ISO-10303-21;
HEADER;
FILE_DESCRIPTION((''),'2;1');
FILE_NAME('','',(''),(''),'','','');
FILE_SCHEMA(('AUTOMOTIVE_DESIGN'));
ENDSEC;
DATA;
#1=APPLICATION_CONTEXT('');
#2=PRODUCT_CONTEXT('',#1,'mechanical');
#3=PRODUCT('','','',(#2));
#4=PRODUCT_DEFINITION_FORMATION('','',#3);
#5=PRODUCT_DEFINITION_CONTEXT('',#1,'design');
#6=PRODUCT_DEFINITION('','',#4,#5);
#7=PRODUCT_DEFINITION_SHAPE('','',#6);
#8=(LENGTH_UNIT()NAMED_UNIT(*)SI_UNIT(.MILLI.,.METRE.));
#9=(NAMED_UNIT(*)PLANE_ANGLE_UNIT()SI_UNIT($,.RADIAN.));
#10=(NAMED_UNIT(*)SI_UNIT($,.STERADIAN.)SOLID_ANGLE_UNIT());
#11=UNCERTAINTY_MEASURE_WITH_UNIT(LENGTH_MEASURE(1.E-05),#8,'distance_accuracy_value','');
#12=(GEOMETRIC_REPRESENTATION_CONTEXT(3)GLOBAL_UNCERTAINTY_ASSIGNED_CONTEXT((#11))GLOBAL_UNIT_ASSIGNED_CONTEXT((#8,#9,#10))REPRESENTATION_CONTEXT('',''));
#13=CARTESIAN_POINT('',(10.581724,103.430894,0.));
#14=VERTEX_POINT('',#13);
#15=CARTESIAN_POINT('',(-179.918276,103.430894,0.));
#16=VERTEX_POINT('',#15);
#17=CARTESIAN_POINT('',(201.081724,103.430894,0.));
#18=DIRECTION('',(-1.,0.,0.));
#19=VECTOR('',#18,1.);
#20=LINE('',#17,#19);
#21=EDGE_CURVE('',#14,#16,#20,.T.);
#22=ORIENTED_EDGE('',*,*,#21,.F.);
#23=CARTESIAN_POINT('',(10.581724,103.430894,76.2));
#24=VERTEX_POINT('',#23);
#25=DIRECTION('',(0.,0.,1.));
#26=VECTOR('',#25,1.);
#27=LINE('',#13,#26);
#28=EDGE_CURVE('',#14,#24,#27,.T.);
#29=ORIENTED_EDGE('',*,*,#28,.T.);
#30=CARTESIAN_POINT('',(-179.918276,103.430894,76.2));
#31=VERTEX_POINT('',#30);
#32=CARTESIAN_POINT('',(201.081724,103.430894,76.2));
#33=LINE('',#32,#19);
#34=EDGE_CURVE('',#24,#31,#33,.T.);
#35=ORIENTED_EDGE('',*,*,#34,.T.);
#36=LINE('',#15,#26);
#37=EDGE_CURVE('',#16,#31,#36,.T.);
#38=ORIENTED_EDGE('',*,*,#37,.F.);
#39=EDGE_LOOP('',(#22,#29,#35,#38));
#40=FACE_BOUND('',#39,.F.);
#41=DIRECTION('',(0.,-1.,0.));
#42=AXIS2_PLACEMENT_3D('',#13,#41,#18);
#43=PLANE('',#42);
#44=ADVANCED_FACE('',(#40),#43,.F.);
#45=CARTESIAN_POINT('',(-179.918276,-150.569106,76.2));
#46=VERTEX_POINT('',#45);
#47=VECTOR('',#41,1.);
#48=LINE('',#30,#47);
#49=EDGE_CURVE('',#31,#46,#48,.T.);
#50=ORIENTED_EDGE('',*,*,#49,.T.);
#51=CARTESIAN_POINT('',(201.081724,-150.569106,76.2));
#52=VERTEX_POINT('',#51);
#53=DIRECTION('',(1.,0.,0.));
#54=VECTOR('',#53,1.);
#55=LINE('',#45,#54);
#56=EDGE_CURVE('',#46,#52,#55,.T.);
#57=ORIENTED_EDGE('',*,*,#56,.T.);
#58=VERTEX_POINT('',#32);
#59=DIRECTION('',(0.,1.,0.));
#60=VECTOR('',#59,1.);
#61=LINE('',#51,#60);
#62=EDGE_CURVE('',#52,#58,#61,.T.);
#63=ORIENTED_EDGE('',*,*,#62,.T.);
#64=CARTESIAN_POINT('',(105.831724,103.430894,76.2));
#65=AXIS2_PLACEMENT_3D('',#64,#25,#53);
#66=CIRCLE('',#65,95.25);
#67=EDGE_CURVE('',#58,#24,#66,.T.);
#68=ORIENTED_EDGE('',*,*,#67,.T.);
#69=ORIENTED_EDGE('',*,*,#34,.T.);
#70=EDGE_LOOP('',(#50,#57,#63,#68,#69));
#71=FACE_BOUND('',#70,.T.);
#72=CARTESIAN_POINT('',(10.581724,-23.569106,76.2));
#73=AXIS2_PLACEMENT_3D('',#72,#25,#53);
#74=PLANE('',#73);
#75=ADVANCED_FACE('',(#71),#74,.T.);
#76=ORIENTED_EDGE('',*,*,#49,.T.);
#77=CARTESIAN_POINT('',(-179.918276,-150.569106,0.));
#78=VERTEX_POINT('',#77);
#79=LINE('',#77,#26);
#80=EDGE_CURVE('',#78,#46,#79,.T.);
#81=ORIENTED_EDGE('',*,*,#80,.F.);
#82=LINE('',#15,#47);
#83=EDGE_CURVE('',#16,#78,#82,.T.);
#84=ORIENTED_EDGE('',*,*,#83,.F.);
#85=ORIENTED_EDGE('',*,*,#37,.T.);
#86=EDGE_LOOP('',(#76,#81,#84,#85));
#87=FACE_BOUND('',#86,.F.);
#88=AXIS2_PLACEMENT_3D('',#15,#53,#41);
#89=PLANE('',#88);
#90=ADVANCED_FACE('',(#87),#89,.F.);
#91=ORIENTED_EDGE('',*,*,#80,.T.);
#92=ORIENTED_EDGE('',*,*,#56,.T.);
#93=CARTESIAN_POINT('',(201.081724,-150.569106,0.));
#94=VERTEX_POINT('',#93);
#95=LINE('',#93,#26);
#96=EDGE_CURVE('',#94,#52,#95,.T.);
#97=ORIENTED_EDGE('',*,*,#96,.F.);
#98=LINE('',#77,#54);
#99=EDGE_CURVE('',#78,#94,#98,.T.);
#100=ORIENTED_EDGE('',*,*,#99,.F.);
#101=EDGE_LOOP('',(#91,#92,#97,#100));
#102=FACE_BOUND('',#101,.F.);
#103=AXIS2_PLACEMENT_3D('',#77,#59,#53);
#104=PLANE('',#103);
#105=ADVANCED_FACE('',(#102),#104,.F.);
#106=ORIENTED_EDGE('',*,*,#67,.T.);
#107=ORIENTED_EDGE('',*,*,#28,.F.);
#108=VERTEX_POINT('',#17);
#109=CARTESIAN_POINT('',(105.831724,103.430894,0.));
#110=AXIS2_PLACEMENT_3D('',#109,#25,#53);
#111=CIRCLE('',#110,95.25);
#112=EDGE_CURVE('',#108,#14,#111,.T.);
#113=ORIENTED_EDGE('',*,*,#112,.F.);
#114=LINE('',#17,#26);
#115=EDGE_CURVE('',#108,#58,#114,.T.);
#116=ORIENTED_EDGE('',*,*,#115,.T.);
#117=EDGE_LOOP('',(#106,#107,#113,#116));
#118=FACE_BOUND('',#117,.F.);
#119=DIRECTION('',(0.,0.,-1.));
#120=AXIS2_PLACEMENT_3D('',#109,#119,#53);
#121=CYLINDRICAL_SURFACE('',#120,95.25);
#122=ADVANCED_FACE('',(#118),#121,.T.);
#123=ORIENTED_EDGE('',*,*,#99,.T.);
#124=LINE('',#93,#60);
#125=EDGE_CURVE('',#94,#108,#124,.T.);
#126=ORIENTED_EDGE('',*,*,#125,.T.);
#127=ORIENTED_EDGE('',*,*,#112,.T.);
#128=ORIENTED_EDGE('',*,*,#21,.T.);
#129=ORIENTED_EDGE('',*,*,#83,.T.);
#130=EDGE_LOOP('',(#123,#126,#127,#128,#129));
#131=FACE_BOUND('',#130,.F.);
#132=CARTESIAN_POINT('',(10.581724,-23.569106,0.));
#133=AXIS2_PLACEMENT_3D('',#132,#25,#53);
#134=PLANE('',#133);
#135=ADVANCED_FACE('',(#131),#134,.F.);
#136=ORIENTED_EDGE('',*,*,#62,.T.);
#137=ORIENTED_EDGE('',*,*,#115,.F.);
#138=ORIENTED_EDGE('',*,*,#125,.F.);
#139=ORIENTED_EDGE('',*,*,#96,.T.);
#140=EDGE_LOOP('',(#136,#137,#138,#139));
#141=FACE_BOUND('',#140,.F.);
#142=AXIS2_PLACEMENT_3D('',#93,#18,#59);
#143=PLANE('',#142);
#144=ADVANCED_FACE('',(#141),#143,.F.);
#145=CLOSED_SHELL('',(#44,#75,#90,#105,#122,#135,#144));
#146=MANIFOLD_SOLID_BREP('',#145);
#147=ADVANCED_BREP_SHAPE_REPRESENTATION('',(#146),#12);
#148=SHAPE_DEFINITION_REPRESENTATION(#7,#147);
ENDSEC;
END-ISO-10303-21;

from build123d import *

# Parameters (mm, degrees)
F1_DEPTH = 76.2


with BuildPart() as f1:
    # F0 (on Top) → F1 (new body)
    with BuildSketch(Plane.XY):
        Polygon((-179.918276, -150.569106), (201.081724, -150.569106), (201.081724, 103.430894), (10.581724, 103.430894), (-179.918276, 103.430894), align=None)
        with BuildLine():
            Line((10.581724, 103.430894), (201.081724, 103.430894))
            ThreePointArc((201.081724, 103.430894), (105.831724, 198.680894), (10.581724, 103.430894))
        make_face()
    extrude(amount=F1_DEPTH)


solid = f1.part
